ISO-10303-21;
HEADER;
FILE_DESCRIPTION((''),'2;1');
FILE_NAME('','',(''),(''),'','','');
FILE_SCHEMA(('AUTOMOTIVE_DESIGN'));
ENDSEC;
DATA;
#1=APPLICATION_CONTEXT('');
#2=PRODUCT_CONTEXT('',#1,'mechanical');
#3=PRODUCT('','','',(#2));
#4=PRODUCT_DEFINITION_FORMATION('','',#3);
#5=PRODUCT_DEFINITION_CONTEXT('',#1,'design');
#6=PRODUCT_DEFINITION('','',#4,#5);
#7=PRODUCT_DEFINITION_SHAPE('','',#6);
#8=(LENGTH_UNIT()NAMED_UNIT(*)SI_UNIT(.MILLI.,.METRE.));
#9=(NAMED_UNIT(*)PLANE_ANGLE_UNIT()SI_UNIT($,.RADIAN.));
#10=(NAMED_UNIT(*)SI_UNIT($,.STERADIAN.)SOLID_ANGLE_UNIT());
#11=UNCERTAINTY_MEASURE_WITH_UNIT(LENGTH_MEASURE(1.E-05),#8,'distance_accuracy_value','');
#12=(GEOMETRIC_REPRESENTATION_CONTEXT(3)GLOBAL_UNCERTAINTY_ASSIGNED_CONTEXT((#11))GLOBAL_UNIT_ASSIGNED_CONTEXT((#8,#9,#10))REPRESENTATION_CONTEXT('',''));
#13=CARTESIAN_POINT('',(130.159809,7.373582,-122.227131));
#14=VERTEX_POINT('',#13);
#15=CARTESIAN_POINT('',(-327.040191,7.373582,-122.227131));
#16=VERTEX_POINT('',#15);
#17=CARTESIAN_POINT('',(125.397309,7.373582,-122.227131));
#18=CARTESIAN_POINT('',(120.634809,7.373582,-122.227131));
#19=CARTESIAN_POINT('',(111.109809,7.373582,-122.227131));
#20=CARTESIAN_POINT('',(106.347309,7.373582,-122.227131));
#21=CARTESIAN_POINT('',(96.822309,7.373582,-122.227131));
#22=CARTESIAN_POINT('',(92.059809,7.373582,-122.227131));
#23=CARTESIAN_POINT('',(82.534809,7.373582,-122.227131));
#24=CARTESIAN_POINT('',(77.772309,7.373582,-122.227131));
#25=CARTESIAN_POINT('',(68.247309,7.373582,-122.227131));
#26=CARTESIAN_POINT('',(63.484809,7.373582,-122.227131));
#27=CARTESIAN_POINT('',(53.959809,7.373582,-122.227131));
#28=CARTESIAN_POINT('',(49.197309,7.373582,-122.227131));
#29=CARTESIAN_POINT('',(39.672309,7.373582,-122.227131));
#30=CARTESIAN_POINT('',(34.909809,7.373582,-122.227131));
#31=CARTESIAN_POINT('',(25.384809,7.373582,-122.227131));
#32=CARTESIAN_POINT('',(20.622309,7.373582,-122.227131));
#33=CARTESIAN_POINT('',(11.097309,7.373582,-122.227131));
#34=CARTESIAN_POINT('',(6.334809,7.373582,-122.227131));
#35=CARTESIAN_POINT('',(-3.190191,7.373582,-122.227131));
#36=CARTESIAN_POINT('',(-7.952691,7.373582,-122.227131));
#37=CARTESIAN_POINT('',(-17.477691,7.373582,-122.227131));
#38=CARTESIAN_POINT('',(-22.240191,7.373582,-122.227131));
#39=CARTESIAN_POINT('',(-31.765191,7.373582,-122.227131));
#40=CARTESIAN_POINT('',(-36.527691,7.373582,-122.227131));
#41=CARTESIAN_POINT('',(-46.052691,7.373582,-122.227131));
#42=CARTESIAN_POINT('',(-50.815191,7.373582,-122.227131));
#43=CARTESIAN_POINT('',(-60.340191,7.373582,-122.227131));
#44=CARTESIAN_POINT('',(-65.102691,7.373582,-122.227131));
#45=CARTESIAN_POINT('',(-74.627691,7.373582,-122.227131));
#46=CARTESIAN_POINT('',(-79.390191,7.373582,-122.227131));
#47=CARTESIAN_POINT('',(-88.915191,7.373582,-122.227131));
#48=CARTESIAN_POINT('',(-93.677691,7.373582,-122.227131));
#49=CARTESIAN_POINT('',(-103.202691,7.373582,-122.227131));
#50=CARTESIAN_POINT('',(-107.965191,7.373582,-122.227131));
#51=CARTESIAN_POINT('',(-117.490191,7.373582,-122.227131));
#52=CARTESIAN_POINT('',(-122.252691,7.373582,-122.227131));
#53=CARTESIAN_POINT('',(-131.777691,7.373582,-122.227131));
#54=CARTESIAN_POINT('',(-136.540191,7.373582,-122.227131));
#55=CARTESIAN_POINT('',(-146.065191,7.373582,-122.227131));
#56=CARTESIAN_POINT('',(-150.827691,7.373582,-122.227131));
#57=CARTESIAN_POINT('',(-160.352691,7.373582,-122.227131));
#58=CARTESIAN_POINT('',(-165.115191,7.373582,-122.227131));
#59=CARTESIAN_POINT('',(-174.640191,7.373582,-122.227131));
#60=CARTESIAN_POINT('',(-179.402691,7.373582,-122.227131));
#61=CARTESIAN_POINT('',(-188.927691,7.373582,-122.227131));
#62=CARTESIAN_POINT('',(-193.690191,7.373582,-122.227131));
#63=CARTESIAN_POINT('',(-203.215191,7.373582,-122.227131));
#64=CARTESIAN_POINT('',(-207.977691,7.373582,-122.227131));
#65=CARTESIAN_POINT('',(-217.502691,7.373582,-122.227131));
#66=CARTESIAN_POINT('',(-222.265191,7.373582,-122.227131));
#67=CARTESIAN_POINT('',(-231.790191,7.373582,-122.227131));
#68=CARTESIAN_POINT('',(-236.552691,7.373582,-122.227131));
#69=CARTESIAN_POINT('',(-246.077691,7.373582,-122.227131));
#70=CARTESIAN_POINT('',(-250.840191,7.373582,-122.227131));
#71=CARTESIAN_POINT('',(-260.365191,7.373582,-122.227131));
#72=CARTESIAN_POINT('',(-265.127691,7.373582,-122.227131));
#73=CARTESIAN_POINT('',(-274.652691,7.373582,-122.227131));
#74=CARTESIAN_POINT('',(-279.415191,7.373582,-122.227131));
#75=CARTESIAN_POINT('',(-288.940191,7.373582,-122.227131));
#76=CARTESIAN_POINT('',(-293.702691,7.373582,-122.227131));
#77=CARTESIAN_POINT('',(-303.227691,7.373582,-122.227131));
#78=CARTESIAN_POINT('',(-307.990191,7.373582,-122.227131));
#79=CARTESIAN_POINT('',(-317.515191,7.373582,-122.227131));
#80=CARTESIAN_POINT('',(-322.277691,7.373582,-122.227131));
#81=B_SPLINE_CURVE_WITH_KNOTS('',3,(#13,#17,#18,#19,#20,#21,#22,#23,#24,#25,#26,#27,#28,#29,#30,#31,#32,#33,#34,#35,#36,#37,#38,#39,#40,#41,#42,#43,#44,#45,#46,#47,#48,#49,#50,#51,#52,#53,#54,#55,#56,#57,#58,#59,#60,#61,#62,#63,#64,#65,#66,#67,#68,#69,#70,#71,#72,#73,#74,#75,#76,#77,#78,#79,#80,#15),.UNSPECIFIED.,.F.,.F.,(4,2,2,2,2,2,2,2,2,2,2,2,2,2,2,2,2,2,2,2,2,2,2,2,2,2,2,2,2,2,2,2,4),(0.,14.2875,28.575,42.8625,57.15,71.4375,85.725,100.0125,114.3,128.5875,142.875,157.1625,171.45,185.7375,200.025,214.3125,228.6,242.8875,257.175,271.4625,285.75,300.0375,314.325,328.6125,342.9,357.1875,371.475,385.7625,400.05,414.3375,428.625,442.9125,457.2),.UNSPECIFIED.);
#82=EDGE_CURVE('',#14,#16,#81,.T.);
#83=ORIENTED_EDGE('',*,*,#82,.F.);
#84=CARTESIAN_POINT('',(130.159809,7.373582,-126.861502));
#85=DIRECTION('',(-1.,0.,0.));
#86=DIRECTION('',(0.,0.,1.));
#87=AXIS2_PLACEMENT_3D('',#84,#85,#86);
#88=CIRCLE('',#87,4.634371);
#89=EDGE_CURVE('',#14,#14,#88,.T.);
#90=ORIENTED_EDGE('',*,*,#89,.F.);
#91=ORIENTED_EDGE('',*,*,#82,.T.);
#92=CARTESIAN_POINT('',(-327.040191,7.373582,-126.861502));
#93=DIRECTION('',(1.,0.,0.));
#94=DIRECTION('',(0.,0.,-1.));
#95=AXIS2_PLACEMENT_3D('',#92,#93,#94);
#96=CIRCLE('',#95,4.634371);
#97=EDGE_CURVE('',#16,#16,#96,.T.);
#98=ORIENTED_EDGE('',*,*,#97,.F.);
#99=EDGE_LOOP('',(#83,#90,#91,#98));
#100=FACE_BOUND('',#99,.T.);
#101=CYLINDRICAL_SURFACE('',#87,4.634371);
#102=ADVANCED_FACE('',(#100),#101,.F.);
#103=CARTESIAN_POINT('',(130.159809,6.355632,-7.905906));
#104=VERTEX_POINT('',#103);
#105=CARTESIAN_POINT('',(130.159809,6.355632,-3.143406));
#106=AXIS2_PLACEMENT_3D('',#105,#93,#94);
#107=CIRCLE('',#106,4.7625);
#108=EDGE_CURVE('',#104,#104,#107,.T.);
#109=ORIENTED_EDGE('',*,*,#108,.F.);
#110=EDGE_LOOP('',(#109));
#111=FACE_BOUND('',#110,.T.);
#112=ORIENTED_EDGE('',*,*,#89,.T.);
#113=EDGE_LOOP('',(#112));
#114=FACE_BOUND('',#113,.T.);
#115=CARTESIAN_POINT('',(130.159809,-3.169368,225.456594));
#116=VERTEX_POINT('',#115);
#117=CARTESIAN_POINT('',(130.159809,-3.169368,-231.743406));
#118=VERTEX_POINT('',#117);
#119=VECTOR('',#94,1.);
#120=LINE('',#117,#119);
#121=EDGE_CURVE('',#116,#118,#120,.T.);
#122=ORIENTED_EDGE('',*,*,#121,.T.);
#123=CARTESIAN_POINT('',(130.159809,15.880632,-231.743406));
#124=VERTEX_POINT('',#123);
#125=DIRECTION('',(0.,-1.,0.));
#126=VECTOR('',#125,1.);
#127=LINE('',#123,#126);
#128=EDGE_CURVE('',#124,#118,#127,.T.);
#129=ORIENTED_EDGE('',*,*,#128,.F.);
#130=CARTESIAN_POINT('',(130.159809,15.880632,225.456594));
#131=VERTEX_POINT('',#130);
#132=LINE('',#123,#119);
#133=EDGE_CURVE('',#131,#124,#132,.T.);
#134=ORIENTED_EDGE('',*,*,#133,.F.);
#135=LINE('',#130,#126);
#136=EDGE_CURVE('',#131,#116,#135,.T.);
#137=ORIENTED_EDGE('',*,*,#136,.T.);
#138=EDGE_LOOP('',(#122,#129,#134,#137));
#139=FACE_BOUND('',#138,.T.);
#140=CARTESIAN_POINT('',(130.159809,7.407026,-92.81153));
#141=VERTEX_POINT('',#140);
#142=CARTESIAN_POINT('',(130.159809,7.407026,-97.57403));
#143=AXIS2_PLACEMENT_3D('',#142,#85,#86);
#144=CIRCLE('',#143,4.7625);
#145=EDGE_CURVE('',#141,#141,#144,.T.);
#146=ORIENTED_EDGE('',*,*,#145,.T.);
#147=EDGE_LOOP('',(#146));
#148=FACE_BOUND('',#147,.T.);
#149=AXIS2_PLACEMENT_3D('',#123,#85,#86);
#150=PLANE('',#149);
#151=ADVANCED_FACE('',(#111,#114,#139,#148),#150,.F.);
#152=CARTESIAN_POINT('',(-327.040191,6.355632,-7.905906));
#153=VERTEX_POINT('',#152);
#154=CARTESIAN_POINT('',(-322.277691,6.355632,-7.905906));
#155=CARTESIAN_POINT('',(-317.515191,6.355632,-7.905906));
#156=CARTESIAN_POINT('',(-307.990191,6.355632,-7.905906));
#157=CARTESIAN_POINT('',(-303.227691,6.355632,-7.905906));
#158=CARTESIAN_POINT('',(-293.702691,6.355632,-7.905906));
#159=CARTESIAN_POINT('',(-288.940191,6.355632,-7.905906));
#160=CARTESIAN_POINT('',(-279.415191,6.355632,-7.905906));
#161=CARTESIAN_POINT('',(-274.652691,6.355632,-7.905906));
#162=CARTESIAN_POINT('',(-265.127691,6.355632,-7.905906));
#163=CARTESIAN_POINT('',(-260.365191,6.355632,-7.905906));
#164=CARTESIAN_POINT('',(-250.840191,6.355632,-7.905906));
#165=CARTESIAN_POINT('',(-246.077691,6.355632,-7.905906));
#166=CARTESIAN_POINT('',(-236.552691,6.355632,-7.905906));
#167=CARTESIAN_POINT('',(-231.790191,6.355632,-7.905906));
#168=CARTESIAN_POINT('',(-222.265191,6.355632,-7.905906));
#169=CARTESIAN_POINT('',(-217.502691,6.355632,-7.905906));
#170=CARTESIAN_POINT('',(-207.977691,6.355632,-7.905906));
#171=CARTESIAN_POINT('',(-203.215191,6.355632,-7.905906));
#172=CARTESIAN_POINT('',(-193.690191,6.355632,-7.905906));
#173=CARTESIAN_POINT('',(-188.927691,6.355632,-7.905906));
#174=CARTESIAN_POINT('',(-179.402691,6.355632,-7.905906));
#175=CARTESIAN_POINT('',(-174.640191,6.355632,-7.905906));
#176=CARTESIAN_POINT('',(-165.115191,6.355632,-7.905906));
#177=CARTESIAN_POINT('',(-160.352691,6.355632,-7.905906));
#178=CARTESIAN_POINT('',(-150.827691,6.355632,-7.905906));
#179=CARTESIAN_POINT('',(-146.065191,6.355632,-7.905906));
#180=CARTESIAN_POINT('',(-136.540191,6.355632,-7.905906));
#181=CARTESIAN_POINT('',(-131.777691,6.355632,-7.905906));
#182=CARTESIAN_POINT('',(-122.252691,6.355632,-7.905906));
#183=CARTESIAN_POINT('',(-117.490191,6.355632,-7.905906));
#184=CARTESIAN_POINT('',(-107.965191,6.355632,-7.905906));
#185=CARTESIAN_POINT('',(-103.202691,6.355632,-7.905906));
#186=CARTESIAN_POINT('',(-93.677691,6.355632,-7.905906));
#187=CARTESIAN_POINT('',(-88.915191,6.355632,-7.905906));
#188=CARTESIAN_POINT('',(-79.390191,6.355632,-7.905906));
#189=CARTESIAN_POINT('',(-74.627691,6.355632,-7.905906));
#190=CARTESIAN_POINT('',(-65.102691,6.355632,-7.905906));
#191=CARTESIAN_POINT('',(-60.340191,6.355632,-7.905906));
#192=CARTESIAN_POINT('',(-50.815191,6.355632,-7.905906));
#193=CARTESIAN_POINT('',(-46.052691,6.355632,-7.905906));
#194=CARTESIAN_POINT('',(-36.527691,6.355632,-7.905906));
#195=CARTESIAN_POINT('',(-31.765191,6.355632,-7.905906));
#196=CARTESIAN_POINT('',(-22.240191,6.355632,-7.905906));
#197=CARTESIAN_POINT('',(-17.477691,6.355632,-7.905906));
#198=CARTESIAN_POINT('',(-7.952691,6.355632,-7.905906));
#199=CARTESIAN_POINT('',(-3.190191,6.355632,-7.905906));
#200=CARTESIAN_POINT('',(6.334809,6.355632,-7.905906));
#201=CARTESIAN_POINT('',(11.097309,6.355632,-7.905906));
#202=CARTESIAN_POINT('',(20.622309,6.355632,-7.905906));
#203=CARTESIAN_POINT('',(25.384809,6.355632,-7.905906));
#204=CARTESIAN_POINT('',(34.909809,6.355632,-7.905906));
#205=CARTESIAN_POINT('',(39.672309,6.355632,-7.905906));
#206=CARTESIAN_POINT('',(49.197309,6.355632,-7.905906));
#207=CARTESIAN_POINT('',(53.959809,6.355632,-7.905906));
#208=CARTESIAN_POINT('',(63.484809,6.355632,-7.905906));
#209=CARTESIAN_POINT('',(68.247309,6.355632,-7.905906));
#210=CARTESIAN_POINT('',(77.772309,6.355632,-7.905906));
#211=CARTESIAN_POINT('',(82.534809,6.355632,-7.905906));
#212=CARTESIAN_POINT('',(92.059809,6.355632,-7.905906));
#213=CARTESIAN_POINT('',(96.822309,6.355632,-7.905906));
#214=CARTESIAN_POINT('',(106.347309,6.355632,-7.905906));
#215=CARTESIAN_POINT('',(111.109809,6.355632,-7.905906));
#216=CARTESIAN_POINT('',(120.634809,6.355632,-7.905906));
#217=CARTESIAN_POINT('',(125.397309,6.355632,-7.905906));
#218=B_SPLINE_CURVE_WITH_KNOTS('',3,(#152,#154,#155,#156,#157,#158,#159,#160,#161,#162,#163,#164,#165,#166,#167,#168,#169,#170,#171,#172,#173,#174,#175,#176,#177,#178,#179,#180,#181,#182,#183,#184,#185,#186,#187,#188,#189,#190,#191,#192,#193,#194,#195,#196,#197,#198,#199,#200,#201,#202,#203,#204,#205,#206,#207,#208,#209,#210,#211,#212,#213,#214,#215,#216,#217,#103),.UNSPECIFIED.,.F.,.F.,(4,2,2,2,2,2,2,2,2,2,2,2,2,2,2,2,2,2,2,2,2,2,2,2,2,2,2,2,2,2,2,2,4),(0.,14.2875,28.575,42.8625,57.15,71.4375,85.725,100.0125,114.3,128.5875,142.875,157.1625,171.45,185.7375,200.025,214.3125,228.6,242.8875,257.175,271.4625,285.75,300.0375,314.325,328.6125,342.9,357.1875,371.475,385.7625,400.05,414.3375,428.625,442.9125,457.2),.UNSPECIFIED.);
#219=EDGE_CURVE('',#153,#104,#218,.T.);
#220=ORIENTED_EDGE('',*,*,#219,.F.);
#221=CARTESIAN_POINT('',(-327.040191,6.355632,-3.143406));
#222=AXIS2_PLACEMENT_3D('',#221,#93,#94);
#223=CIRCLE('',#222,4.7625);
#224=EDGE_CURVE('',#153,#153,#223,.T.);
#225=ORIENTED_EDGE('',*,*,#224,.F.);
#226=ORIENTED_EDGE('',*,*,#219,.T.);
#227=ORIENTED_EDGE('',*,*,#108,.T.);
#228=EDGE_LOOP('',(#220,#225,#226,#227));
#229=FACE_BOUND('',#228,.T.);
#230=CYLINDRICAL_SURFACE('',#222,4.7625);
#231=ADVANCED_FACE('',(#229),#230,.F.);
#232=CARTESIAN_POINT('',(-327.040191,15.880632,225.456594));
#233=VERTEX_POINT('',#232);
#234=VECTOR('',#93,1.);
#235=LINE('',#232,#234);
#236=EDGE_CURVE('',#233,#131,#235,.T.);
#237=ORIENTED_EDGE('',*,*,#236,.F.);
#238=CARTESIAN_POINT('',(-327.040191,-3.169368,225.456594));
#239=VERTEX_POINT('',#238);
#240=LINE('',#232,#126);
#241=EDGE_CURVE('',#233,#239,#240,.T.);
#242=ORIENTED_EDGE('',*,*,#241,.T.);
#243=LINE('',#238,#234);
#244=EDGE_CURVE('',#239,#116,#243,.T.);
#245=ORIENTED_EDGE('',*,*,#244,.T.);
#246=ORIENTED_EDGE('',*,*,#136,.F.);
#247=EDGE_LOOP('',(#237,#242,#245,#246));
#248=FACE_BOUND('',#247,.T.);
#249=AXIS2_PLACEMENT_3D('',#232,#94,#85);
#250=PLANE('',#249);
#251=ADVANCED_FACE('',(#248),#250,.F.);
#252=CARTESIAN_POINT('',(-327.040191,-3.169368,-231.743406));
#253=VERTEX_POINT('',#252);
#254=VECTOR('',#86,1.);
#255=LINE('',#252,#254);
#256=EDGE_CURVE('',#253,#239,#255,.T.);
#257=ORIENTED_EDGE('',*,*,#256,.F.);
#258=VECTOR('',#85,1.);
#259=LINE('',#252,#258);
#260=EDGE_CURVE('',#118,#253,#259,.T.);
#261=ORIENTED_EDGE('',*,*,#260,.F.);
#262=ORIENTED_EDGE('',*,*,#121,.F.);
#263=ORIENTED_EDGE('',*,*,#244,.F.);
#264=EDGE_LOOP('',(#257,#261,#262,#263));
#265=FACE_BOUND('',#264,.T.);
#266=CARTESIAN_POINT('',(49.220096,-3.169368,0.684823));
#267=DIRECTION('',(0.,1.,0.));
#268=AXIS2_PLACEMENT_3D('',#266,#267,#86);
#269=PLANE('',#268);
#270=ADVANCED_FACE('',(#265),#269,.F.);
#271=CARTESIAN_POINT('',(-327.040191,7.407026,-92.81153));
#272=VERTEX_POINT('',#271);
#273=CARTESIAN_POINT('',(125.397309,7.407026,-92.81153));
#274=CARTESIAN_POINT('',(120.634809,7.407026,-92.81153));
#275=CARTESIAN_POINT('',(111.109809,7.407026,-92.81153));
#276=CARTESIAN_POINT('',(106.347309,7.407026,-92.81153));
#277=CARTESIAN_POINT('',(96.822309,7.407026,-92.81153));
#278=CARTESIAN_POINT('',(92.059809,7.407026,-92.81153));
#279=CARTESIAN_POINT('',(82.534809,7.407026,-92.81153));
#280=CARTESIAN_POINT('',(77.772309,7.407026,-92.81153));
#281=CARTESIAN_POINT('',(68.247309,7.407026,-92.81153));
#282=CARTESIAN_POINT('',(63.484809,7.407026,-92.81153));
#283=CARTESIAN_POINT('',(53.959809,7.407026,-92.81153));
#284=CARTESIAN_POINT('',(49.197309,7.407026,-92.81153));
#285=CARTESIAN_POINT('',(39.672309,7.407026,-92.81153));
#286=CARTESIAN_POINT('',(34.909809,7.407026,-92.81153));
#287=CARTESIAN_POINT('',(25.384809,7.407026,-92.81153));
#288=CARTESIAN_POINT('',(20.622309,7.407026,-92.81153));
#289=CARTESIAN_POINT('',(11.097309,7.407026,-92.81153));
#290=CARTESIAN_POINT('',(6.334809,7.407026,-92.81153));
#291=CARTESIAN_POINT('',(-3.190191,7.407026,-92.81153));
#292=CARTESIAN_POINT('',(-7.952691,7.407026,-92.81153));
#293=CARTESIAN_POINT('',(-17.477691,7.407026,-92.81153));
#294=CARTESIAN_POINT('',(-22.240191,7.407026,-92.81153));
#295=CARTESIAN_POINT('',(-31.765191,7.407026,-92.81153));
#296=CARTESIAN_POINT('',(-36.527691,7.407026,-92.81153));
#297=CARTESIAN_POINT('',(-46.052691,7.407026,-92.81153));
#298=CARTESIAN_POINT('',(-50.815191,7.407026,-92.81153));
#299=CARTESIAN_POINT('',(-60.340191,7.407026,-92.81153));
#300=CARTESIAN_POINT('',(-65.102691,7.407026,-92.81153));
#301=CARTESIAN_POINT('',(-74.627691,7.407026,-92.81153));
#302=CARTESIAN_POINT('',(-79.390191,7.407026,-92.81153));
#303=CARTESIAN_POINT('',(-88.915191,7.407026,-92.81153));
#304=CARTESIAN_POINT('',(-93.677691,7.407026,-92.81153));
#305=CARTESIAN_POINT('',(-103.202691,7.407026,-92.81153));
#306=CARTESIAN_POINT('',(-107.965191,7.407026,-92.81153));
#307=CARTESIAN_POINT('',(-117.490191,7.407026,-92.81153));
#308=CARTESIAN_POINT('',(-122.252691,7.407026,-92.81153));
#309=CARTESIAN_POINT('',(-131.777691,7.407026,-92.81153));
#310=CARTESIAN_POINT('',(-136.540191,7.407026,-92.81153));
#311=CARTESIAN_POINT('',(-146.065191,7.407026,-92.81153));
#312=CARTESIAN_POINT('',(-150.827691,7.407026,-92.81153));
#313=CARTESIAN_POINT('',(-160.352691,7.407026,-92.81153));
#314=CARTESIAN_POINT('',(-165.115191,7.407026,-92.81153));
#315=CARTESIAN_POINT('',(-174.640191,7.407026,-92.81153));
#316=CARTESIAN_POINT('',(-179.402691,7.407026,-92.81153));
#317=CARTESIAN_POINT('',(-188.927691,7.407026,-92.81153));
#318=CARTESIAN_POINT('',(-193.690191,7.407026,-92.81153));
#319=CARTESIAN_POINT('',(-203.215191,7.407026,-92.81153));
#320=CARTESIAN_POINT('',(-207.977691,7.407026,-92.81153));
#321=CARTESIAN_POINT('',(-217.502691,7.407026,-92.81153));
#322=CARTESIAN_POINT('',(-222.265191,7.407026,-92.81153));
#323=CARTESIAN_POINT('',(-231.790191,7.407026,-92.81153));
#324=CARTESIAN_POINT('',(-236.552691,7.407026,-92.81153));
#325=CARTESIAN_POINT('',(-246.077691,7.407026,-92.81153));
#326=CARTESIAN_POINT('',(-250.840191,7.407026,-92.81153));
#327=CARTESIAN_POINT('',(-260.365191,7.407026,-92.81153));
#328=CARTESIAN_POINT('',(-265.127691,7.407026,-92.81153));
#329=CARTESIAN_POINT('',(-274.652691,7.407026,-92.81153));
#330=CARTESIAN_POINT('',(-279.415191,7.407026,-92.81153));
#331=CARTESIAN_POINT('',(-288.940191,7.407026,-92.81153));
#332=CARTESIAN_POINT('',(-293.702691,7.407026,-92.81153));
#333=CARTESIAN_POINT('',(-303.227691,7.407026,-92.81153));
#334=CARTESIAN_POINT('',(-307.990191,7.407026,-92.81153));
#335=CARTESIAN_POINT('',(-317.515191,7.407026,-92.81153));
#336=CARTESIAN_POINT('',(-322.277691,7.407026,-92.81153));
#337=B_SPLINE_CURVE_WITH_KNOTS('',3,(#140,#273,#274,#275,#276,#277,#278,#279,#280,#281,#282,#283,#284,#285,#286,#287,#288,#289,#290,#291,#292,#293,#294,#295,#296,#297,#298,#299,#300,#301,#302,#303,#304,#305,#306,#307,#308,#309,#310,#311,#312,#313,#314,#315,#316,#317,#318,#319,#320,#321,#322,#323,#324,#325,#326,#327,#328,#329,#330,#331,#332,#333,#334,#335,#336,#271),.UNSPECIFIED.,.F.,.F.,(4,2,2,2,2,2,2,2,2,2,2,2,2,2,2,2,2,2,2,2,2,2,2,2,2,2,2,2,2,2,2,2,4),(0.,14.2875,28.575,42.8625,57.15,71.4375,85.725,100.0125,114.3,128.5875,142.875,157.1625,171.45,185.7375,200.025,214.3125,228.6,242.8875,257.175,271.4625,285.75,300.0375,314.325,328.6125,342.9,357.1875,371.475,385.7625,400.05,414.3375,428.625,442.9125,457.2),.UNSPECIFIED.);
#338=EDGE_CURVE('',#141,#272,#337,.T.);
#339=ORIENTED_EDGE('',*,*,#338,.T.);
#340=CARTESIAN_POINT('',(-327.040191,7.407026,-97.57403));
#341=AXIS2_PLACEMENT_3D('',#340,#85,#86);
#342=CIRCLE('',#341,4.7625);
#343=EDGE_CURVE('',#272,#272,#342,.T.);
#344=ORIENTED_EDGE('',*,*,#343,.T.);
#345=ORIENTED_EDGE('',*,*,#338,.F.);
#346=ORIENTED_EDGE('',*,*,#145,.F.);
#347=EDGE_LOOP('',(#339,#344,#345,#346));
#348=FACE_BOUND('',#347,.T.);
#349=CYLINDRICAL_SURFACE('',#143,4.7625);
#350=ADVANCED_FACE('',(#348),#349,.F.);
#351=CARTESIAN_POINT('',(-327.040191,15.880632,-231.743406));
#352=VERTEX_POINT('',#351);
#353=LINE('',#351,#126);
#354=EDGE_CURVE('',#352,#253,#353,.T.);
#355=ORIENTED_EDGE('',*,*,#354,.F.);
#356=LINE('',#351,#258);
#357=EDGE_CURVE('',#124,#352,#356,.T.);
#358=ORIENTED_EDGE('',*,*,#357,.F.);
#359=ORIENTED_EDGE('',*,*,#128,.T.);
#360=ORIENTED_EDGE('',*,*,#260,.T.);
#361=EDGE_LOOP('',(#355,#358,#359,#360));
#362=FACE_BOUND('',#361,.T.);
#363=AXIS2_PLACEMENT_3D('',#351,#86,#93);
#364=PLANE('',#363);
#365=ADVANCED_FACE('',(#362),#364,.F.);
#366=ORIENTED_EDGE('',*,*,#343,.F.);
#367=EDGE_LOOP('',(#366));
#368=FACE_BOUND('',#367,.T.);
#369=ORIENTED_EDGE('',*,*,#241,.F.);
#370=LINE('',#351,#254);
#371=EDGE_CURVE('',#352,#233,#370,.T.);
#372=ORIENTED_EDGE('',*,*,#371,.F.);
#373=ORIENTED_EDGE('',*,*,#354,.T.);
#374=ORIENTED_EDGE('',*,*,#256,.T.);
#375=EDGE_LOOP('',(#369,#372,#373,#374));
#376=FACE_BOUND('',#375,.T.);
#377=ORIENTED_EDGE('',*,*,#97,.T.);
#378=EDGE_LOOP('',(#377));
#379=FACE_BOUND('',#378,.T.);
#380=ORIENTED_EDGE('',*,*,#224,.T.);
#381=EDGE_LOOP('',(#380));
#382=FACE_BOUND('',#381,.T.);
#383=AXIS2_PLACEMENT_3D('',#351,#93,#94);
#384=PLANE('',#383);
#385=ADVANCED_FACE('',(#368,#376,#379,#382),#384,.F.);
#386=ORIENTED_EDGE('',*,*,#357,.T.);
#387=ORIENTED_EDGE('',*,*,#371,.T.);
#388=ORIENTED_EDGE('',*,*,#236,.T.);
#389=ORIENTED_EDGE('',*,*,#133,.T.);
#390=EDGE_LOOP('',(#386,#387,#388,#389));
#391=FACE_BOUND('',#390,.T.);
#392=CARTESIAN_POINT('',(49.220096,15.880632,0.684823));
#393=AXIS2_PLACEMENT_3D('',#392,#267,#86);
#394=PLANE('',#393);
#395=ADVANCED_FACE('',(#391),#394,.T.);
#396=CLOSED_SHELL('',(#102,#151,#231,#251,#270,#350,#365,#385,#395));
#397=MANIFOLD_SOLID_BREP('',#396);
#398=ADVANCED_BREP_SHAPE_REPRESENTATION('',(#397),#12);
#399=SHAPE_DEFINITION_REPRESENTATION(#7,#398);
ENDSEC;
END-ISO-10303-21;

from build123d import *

# Parameters (mm, degrees)
SKETCH2_W               = 304.8
SKETCH2_H               = 304.8
BOSS_EXTRUDE1_DEPTH     = 12.7
SKETCH3_R               = 3.175
CUT_EXTRUDE1_DEPTH      = 343.16151121
SKETCH4_R               = 3.175
CUT_EXTRUDE2_DEPTH      = 358.845553564
CUT_EXTRUDE3_DEPTH      = 343.16151121
CUT_EXTRUDE3_DEPTH_BACK = 343.16151121
SKETCH8_R               = 3.089580747
SCALE1_SCALE            = 1.5


with BuildPart() as part:
    # Sketch2 → Boss-Extrude1 (new body)
    with BuildSketch(Plane(origin=(0, 0, 0), x_dir=(1, 0, 0), z_dir=(0, 1, 0))):
        with Locations((-98.440191388, 2.55215311)):
            Rectangle(SKETCH2_W, SKETCH2_H)
    extrude(amount=BOSS_EXTRUDE1_DEPTH)

    # Sketch3 → Cut-Extrude1 (cut, through all)
    with BuildSketch(Plane(origin=(53.959808612, 0, 0), x_dir=(0, 0, -1), z_dir=(1, 0, 0))):
        with Locations((2.55215311, 6.35)):
            Circle(SKETCH3_R)
    extrude(amount=-CUT_EXTRUDE1_DEPTH, mode=Mode.SUBTRACT)

    # Sketch4 → Cut-Extrude2 (cut, through all)
    with BuildSketch(Plane(origin=(-250.840191388, 0, 32.101609765), x_dir=(0, 0, 1), z_dir=(-1, 0, 0))):
        with Locations((-97.607511841, 7.050929825)):
            Circle(SKETCH4_R)
    extrude(amount=-CUT_EXTRUDE2_DEPTH, mode=Mode.SUBTRACT)

    # Sketch8 → Cut-Extrude3 (cut, two sides: drawn at the far end of the back side and taken through both)
    with BuildSketch(Plane.ZY.offset(250.840191388).offset(-CUT_EXTRUDE3_DEPTH_BACK)):
        with Locations((-85.030883776, 7.028633546)):
            Circle(SKETCH8_R)
    extrude(amount=CUT_EXTRUDE3_DEPTH + CUT_EXTRUDE3_DEPTH_BACK, mode=Mode.SUBTRACT)


with BuildPart() as part_1:
    # Scale1: scaled about (-98.440191388, 6.338736644, -1.369646506)
    add(part.part.scale(SCALE1_SCALE).moved(Location((49.220095694, -3.169368322, 0.684823253))))


solid = part_1.part
